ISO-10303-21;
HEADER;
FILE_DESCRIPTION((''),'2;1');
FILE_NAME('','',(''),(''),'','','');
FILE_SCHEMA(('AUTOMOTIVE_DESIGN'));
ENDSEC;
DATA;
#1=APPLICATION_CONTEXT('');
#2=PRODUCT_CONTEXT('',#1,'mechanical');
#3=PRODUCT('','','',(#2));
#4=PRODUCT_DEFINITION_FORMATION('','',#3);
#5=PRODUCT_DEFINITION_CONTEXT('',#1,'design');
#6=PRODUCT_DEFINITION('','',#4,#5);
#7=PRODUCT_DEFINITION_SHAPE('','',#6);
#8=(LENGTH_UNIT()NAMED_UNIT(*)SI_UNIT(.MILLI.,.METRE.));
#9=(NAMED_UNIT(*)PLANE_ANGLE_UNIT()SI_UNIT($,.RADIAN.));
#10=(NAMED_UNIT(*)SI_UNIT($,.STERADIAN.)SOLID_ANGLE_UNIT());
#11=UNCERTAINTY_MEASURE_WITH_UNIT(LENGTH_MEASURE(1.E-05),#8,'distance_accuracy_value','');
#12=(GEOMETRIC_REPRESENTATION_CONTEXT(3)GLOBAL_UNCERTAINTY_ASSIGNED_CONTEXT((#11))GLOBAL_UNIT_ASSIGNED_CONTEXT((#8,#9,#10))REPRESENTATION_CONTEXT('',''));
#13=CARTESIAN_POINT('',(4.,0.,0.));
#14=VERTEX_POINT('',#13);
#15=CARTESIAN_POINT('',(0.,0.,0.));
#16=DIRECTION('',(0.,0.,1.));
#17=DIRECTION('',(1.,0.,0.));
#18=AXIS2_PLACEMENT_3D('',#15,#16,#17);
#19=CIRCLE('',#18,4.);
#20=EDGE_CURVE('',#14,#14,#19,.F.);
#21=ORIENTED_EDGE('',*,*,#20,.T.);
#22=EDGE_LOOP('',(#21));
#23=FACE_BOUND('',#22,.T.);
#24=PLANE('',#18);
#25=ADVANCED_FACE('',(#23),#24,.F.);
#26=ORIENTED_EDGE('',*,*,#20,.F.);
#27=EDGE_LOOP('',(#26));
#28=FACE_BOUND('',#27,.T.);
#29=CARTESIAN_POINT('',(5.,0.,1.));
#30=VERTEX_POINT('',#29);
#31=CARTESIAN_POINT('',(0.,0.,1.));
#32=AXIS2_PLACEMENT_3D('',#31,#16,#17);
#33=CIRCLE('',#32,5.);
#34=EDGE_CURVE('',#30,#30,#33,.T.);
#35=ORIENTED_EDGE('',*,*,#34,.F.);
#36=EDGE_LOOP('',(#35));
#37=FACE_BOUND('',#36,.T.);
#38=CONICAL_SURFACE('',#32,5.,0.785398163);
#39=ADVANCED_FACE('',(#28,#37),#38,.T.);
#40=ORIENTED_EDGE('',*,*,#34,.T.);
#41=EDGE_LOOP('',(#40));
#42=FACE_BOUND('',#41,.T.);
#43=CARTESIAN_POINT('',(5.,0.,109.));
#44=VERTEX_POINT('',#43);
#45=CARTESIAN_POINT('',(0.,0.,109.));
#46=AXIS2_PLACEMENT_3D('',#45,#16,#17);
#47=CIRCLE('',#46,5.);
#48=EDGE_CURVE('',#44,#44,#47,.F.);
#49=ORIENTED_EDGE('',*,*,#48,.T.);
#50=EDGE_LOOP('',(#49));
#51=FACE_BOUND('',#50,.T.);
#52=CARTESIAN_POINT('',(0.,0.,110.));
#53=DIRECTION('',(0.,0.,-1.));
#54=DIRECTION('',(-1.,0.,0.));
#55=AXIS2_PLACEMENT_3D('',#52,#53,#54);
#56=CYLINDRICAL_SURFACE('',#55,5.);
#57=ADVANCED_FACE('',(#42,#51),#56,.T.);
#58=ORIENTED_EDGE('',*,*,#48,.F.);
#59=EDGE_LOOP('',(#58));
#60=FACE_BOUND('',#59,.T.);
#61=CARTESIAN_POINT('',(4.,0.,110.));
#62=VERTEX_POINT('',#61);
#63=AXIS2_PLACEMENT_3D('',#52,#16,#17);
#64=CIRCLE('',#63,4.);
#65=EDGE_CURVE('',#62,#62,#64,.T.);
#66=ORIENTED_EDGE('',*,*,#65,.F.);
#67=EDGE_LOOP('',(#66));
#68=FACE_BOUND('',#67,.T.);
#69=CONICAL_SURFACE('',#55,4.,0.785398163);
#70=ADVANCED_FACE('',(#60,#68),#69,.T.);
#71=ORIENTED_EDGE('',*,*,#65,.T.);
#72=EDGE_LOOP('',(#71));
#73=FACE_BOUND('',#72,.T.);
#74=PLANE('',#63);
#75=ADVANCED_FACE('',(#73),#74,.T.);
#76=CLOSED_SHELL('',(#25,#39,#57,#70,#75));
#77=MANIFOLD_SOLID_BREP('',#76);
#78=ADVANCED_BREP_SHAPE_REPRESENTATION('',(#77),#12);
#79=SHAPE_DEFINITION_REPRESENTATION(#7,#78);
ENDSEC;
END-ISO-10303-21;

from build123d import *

# Parameters (mm, degrees)
ESQUISSE1_R          = 5
BASE_EXTRUSION_DEPTH = 110
CHANFREIN1_SIZE      = 1


with BuildPart() as part:
    # Esquisse1 → Base-Extrusion (new body)
    with BuildSketch(Plane.XY):
        Circle(ESQUISSE1_R)
    extrude(amount=BASE_EXTRUSION_DEPTH)

    # Chanfrein1
    chanfrein1_edges = [part.edges().sort_by_distance(p)[0] for p in [
        (-5, 0, 0),
        (-5, 0, 110),
    ]]
    chamfer(chanfrein1_edges, length=CHANFREIN1_SIZE)


solid = part.part
